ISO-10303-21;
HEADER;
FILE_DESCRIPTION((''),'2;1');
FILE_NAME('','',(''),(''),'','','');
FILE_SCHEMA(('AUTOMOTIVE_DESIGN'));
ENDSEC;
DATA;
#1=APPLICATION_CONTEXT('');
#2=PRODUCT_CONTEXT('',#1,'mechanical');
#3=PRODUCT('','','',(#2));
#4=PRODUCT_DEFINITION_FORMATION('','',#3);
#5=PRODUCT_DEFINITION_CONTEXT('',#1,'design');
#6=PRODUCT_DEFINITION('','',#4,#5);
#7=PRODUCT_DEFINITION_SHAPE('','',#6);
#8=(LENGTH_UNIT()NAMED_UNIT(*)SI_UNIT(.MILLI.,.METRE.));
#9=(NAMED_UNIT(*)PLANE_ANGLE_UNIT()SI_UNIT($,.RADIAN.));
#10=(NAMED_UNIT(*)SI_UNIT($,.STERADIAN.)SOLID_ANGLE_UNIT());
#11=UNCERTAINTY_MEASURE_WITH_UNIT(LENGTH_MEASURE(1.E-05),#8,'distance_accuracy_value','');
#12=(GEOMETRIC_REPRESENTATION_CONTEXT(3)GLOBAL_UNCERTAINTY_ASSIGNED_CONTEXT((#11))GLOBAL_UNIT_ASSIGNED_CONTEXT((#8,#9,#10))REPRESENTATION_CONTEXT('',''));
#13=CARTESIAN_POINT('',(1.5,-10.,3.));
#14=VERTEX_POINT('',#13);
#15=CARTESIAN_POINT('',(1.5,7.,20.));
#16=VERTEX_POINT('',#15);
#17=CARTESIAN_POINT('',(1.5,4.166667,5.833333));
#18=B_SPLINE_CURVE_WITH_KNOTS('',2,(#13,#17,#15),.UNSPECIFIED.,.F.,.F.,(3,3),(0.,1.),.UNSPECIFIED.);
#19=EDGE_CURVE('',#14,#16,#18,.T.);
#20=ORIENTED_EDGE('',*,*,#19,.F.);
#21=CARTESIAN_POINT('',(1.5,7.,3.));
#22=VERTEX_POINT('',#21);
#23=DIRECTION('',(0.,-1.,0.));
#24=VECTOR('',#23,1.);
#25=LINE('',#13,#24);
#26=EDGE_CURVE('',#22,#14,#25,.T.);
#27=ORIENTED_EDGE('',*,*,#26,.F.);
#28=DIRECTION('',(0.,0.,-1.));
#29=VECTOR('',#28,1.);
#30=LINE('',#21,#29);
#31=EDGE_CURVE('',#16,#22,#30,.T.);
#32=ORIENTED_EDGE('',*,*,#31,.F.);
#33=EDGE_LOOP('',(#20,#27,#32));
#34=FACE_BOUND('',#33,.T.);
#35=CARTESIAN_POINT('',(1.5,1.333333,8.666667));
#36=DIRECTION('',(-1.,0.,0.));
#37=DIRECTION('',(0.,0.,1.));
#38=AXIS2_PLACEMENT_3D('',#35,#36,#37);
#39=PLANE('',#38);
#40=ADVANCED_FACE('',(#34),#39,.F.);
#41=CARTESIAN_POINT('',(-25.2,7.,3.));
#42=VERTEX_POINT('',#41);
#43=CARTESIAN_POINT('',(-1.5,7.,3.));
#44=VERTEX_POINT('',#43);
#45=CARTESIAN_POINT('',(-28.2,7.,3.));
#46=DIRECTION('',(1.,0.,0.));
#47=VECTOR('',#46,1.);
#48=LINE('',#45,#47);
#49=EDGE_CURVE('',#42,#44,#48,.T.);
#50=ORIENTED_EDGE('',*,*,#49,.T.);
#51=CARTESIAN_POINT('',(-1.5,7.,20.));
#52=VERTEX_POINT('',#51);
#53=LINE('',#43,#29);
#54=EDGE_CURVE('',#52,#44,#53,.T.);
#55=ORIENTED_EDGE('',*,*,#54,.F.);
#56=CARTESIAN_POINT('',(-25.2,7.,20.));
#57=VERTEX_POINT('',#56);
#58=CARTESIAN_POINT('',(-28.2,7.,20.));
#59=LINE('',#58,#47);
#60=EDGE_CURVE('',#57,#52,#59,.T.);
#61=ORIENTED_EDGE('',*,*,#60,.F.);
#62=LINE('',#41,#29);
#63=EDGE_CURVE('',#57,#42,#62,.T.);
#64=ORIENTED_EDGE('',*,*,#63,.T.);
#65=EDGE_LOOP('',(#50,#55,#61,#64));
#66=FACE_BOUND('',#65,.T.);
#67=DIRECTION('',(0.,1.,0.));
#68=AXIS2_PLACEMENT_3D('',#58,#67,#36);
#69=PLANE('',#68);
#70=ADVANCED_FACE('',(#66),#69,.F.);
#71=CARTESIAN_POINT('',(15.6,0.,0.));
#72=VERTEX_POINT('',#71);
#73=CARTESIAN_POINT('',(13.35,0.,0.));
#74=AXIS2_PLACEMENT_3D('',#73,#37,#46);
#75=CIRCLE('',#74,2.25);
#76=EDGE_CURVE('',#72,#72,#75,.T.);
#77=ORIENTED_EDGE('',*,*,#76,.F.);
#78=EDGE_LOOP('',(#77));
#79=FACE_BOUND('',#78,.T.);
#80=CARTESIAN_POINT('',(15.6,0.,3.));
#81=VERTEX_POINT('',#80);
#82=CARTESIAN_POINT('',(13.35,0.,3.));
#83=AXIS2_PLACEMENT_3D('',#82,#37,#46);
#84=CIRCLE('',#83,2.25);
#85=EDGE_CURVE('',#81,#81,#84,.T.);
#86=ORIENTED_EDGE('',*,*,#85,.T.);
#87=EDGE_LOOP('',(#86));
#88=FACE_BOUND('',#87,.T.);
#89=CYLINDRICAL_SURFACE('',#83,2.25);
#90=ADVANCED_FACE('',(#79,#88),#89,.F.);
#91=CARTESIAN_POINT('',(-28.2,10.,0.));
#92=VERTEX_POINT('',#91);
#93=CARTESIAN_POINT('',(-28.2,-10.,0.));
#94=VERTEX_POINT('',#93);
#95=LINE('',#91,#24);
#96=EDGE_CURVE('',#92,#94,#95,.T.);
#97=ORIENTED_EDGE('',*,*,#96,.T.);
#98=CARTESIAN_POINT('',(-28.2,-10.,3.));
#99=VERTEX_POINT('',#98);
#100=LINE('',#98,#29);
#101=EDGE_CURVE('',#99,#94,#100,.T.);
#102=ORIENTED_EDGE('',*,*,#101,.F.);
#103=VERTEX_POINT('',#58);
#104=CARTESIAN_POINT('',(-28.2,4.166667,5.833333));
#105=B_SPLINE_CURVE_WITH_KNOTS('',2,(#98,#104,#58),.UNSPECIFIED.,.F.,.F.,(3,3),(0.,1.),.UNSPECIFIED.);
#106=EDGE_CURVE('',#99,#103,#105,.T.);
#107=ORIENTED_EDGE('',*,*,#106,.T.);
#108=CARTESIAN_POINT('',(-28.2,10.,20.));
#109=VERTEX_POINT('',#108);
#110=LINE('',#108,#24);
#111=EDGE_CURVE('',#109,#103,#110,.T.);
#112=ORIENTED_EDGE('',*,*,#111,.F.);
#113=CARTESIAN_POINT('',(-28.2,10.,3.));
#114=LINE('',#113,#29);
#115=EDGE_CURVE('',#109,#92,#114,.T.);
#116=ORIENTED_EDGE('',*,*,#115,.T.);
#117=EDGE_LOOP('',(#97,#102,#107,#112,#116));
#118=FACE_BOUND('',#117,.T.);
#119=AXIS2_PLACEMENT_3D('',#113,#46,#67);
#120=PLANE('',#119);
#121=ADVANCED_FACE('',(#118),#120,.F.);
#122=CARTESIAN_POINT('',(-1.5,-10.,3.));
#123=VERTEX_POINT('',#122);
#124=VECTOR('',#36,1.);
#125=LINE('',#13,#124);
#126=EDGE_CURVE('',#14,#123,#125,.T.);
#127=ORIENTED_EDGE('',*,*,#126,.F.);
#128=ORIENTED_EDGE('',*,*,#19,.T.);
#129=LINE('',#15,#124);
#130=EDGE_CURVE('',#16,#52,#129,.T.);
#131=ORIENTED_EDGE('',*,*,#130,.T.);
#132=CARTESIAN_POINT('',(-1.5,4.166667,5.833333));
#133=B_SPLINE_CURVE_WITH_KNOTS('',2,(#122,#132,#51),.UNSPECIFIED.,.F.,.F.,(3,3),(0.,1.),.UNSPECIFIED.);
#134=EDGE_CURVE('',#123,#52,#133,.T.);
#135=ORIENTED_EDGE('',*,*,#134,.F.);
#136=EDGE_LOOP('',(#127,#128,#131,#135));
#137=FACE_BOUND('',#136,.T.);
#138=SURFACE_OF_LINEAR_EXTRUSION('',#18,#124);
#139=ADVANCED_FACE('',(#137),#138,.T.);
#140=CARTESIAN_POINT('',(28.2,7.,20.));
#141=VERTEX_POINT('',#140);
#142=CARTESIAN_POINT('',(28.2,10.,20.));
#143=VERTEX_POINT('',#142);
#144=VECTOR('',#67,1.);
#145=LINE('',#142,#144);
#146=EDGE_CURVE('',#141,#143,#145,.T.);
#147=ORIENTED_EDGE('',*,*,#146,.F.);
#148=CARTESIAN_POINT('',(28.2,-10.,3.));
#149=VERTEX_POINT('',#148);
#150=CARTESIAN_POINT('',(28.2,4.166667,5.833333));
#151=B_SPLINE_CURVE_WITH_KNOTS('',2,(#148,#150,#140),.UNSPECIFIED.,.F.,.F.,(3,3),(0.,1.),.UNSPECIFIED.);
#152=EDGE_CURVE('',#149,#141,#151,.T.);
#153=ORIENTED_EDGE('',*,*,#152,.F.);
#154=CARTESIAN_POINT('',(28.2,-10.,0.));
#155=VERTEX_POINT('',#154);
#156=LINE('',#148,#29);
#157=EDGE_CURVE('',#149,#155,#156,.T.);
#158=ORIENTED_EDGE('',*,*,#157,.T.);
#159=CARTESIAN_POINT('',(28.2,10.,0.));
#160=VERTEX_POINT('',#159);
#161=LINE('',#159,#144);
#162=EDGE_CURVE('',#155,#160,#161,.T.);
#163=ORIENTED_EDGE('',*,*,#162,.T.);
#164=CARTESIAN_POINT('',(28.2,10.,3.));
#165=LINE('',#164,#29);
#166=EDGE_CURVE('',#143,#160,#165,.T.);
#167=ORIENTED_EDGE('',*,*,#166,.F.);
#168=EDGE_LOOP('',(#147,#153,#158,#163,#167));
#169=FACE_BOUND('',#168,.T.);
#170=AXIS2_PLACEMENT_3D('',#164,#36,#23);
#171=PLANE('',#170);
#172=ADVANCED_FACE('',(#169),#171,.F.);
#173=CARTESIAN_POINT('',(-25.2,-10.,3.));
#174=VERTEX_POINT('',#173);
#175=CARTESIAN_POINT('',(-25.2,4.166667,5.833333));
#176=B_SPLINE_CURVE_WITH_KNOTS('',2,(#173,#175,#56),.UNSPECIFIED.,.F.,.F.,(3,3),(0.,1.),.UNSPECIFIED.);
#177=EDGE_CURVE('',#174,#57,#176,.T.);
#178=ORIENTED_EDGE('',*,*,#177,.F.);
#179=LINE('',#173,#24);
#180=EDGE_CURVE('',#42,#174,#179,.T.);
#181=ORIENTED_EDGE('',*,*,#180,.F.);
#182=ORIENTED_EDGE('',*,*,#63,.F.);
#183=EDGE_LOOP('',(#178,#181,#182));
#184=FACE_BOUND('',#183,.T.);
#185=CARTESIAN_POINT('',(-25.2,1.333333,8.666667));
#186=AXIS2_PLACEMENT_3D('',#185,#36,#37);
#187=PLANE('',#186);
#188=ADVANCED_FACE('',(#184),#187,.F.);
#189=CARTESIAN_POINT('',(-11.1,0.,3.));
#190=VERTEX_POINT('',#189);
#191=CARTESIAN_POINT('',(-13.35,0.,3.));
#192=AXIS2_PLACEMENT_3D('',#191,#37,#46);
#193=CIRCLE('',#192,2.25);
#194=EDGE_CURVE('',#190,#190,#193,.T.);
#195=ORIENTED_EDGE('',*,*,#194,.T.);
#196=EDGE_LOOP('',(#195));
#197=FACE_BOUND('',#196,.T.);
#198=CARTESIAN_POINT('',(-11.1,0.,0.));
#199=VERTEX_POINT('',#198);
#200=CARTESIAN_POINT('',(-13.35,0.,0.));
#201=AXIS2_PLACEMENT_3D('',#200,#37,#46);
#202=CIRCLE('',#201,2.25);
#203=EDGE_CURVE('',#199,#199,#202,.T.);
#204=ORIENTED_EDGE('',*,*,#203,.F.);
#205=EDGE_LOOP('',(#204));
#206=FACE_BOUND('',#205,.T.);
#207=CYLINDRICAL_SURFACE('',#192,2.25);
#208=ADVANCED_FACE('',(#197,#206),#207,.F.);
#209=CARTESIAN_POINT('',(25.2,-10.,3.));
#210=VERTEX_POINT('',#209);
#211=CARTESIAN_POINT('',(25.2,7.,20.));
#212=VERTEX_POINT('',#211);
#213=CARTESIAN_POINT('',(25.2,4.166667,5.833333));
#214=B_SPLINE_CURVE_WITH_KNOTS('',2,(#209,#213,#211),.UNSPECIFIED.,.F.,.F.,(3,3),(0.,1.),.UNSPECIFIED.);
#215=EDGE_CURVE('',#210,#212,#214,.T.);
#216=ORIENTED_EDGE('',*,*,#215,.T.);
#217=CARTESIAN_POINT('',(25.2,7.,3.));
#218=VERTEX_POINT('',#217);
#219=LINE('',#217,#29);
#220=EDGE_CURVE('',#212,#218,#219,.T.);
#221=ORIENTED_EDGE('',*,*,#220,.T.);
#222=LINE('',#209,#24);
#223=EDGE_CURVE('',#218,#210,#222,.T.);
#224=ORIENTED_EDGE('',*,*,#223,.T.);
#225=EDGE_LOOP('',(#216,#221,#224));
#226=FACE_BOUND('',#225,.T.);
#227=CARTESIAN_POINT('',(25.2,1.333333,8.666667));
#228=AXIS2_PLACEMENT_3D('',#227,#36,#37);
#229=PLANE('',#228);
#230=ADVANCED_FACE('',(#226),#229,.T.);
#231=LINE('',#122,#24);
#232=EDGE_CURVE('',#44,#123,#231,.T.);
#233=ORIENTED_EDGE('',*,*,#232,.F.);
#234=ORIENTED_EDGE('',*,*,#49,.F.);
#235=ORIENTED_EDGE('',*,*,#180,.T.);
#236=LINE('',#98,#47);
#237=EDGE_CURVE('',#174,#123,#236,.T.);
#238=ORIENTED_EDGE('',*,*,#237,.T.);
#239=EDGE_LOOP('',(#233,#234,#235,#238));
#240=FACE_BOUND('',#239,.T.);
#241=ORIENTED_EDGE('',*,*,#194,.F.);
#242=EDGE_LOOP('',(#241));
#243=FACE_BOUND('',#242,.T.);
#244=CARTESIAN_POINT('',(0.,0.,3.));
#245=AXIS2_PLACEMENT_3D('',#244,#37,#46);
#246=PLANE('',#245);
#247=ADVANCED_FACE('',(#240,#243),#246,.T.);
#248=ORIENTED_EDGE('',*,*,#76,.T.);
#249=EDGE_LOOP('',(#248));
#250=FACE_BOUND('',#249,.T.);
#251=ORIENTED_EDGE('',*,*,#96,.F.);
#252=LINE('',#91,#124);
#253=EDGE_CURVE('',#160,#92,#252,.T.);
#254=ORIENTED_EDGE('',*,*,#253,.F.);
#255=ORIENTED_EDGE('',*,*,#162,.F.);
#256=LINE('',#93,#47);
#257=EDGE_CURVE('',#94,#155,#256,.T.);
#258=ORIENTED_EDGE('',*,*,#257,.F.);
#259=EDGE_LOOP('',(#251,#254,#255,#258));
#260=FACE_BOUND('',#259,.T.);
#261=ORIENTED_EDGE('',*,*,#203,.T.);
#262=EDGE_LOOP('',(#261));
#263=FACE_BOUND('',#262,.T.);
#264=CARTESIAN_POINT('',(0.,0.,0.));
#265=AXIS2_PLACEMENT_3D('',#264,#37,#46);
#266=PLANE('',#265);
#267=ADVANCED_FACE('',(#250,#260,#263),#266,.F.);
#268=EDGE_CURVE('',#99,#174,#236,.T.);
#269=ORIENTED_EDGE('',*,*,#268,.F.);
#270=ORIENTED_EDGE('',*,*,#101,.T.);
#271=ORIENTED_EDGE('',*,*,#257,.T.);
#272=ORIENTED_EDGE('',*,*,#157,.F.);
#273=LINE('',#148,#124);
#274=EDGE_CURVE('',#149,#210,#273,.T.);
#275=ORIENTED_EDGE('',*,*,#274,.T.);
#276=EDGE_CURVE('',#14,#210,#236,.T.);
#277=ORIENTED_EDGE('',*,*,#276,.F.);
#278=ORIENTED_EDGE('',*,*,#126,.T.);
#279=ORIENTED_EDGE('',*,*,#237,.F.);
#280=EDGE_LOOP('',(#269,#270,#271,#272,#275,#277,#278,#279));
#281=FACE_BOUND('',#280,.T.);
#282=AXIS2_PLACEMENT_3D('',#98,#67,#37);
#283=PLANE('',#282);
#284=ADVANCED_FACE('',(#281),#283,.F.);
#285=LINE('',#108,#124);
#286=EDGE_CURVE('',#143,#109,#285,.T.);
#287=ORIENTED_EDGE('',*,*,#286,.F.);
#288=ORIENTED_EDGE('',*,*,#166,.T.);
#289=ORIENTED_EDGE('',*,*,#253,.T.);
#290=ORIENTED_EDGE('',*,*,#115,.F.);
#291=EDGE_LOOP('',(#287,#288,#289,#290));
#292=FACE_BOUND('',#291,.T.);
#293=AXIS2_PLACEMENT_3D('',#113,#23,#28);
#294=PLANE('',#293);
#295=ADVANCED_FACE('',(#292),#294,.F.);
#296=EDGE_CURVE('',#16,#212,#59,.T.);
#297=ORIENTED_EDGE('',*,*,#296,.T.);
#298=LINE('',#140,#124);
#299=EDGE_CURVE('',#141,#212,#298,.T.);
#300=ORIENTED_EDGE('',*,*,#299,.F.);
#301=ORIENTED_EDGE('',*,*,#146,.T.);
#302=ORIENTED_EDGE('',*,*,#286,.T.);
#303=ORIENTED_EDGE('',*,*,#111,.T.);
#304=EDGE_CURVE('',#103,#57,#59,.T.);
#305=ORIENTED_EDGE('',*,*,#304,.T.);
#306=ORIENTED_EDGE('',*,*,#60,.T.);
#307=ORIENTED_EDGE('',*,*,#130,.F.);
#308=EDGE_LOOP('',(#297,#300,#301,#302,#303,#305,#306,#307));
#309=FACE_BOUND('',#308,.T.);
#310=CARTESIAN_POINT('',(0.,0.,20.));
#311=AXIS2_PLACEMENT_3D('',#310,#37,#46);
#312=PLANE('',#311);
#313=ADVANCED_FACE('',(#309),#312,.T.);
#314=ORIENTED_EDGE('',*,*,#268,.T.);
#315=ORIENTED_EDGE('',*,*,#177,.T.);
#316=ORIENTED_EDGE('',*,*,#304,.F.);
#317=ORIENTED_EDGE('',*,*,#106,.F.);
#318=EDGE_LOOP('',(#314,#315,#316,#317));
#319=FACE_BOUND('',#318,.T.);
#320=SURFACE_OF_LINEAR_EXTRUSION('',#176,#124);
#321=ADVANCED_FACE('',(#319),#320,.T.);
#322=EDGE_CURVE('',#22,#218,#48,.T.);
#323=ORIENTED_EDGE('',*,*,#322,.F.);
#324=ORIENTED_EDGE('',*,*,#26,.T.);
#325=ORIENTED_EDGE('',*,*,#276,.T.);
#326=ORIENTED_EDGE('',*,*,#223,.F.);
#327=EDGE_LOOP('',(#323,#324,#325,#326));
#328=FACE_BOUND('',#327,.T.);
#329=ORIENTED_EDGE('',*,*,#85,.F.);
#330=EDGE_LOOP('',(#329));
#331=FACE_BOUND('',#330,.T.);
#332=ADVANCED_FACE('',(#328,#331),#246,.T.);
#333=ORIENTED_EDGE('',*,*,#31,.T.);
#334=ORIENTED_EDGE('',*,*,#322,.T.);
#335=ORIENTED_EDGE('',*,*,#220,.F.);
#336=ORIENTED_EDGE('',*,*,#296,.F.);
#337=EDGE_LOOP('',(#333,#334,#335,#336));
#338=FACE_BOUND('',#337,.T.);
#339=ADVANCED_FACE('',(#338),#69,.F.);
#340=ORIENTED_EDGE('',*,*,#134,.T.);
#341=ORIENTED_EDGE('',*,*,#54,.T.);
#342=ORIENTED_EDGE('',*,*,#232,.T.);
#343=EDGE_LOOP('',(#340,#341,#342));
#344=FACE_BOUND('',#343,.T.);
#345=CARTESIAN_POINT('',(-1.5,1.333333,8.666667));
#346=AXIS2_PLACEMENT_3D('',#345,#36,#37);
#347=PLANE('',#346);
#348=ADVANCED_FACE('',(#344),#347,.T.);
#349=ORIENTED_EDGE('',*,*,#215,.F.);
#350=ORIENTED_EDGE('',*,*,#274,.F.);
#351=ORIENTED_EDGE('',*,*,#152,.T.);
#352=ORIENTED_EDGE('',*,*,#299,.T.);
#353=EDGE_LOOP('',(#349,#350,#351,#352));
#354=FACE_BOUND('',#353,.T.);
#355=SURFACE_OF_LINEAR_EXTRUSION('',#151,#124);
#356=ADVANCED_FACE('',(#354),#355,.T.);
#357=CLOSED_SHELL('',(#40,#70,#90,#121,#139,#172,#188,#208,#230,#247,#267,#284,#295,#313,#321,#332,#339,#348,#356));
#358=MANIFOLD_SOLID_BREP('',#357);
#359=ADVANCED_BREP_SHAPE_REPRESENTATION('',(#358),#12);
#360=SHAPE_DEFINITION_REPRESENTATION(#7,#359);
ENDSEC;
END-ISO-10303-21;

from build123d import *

# Parameters (mm, degrees)
SKETCH_1_W             = 56.4
SKETCH_1_H             = 20
EXTRUDE_1_DEPTH        = 3
SKETCH_2_W             = 56.4
SKETCH_2_H             = 3
EXTRUDE_2_DEPTH        = 17
EXTRUDE_3_DEPTH        = 3
PATTERN_LINEAR_1_COUNT = 3
PATTERN_LINEAR_1_PITCH = 26.7
HOLE_WIZARD_M4_1_D     = 4.5


with BuildPart() as part:
    # 스케치1 → 보스-돌출1 (new body)
    with BuildSketch(Plane.XY):
        Rectangle(SKETCH_1_W, SKETCH_1_H)
    extrude(amount=EXTRUDE_1_DEPTH)

    # 스케치2 → 보스-돌출2 (add)
    with BuildSketch(Plane.XY.offset(3)):
        with Locations((0, 8.5)):
            Rectangle(SKETCH_2_W, SKETCH_2_H)
    extrude(amount=EXTRUDE_2_DEPTH)

    # 스케치4 → 보스-돌출3 (add)
    with BuildSketch(Plane.ZY.offset(28.2)):
        with BuildLine():
            Line((3, -10), (3, 7))
            Line((3, 7), (20, 7))
            add(Edge.make_bspline(
                [(3, -10), (5.833333333, 4.166666667), (20, 7)],
                knots=[0, 0, 0, 1, 1, 1], degree=2))
        make_face()
    extrude_3 = extrude(amount=-EXTRUDE_3_DEPTH)

    # 선형 패턴1: 보스-돌출3 ×3
    with Locations(*[(i * PATTERN_LINEAR_1_PITCH, 0, 0) for i in range(1, PATTERN_LINEAR_1_COUNT)]):
        add(extrude_3)

    # M4 여유 구멍1 (through all)
    with Locations(Plane.XY.offset(3)):
        with Locations((-13.35, 0), (13.35, 0)):
            Hole(HOLE_WIZARD_M4_1_D / 2)


solid = part.part
